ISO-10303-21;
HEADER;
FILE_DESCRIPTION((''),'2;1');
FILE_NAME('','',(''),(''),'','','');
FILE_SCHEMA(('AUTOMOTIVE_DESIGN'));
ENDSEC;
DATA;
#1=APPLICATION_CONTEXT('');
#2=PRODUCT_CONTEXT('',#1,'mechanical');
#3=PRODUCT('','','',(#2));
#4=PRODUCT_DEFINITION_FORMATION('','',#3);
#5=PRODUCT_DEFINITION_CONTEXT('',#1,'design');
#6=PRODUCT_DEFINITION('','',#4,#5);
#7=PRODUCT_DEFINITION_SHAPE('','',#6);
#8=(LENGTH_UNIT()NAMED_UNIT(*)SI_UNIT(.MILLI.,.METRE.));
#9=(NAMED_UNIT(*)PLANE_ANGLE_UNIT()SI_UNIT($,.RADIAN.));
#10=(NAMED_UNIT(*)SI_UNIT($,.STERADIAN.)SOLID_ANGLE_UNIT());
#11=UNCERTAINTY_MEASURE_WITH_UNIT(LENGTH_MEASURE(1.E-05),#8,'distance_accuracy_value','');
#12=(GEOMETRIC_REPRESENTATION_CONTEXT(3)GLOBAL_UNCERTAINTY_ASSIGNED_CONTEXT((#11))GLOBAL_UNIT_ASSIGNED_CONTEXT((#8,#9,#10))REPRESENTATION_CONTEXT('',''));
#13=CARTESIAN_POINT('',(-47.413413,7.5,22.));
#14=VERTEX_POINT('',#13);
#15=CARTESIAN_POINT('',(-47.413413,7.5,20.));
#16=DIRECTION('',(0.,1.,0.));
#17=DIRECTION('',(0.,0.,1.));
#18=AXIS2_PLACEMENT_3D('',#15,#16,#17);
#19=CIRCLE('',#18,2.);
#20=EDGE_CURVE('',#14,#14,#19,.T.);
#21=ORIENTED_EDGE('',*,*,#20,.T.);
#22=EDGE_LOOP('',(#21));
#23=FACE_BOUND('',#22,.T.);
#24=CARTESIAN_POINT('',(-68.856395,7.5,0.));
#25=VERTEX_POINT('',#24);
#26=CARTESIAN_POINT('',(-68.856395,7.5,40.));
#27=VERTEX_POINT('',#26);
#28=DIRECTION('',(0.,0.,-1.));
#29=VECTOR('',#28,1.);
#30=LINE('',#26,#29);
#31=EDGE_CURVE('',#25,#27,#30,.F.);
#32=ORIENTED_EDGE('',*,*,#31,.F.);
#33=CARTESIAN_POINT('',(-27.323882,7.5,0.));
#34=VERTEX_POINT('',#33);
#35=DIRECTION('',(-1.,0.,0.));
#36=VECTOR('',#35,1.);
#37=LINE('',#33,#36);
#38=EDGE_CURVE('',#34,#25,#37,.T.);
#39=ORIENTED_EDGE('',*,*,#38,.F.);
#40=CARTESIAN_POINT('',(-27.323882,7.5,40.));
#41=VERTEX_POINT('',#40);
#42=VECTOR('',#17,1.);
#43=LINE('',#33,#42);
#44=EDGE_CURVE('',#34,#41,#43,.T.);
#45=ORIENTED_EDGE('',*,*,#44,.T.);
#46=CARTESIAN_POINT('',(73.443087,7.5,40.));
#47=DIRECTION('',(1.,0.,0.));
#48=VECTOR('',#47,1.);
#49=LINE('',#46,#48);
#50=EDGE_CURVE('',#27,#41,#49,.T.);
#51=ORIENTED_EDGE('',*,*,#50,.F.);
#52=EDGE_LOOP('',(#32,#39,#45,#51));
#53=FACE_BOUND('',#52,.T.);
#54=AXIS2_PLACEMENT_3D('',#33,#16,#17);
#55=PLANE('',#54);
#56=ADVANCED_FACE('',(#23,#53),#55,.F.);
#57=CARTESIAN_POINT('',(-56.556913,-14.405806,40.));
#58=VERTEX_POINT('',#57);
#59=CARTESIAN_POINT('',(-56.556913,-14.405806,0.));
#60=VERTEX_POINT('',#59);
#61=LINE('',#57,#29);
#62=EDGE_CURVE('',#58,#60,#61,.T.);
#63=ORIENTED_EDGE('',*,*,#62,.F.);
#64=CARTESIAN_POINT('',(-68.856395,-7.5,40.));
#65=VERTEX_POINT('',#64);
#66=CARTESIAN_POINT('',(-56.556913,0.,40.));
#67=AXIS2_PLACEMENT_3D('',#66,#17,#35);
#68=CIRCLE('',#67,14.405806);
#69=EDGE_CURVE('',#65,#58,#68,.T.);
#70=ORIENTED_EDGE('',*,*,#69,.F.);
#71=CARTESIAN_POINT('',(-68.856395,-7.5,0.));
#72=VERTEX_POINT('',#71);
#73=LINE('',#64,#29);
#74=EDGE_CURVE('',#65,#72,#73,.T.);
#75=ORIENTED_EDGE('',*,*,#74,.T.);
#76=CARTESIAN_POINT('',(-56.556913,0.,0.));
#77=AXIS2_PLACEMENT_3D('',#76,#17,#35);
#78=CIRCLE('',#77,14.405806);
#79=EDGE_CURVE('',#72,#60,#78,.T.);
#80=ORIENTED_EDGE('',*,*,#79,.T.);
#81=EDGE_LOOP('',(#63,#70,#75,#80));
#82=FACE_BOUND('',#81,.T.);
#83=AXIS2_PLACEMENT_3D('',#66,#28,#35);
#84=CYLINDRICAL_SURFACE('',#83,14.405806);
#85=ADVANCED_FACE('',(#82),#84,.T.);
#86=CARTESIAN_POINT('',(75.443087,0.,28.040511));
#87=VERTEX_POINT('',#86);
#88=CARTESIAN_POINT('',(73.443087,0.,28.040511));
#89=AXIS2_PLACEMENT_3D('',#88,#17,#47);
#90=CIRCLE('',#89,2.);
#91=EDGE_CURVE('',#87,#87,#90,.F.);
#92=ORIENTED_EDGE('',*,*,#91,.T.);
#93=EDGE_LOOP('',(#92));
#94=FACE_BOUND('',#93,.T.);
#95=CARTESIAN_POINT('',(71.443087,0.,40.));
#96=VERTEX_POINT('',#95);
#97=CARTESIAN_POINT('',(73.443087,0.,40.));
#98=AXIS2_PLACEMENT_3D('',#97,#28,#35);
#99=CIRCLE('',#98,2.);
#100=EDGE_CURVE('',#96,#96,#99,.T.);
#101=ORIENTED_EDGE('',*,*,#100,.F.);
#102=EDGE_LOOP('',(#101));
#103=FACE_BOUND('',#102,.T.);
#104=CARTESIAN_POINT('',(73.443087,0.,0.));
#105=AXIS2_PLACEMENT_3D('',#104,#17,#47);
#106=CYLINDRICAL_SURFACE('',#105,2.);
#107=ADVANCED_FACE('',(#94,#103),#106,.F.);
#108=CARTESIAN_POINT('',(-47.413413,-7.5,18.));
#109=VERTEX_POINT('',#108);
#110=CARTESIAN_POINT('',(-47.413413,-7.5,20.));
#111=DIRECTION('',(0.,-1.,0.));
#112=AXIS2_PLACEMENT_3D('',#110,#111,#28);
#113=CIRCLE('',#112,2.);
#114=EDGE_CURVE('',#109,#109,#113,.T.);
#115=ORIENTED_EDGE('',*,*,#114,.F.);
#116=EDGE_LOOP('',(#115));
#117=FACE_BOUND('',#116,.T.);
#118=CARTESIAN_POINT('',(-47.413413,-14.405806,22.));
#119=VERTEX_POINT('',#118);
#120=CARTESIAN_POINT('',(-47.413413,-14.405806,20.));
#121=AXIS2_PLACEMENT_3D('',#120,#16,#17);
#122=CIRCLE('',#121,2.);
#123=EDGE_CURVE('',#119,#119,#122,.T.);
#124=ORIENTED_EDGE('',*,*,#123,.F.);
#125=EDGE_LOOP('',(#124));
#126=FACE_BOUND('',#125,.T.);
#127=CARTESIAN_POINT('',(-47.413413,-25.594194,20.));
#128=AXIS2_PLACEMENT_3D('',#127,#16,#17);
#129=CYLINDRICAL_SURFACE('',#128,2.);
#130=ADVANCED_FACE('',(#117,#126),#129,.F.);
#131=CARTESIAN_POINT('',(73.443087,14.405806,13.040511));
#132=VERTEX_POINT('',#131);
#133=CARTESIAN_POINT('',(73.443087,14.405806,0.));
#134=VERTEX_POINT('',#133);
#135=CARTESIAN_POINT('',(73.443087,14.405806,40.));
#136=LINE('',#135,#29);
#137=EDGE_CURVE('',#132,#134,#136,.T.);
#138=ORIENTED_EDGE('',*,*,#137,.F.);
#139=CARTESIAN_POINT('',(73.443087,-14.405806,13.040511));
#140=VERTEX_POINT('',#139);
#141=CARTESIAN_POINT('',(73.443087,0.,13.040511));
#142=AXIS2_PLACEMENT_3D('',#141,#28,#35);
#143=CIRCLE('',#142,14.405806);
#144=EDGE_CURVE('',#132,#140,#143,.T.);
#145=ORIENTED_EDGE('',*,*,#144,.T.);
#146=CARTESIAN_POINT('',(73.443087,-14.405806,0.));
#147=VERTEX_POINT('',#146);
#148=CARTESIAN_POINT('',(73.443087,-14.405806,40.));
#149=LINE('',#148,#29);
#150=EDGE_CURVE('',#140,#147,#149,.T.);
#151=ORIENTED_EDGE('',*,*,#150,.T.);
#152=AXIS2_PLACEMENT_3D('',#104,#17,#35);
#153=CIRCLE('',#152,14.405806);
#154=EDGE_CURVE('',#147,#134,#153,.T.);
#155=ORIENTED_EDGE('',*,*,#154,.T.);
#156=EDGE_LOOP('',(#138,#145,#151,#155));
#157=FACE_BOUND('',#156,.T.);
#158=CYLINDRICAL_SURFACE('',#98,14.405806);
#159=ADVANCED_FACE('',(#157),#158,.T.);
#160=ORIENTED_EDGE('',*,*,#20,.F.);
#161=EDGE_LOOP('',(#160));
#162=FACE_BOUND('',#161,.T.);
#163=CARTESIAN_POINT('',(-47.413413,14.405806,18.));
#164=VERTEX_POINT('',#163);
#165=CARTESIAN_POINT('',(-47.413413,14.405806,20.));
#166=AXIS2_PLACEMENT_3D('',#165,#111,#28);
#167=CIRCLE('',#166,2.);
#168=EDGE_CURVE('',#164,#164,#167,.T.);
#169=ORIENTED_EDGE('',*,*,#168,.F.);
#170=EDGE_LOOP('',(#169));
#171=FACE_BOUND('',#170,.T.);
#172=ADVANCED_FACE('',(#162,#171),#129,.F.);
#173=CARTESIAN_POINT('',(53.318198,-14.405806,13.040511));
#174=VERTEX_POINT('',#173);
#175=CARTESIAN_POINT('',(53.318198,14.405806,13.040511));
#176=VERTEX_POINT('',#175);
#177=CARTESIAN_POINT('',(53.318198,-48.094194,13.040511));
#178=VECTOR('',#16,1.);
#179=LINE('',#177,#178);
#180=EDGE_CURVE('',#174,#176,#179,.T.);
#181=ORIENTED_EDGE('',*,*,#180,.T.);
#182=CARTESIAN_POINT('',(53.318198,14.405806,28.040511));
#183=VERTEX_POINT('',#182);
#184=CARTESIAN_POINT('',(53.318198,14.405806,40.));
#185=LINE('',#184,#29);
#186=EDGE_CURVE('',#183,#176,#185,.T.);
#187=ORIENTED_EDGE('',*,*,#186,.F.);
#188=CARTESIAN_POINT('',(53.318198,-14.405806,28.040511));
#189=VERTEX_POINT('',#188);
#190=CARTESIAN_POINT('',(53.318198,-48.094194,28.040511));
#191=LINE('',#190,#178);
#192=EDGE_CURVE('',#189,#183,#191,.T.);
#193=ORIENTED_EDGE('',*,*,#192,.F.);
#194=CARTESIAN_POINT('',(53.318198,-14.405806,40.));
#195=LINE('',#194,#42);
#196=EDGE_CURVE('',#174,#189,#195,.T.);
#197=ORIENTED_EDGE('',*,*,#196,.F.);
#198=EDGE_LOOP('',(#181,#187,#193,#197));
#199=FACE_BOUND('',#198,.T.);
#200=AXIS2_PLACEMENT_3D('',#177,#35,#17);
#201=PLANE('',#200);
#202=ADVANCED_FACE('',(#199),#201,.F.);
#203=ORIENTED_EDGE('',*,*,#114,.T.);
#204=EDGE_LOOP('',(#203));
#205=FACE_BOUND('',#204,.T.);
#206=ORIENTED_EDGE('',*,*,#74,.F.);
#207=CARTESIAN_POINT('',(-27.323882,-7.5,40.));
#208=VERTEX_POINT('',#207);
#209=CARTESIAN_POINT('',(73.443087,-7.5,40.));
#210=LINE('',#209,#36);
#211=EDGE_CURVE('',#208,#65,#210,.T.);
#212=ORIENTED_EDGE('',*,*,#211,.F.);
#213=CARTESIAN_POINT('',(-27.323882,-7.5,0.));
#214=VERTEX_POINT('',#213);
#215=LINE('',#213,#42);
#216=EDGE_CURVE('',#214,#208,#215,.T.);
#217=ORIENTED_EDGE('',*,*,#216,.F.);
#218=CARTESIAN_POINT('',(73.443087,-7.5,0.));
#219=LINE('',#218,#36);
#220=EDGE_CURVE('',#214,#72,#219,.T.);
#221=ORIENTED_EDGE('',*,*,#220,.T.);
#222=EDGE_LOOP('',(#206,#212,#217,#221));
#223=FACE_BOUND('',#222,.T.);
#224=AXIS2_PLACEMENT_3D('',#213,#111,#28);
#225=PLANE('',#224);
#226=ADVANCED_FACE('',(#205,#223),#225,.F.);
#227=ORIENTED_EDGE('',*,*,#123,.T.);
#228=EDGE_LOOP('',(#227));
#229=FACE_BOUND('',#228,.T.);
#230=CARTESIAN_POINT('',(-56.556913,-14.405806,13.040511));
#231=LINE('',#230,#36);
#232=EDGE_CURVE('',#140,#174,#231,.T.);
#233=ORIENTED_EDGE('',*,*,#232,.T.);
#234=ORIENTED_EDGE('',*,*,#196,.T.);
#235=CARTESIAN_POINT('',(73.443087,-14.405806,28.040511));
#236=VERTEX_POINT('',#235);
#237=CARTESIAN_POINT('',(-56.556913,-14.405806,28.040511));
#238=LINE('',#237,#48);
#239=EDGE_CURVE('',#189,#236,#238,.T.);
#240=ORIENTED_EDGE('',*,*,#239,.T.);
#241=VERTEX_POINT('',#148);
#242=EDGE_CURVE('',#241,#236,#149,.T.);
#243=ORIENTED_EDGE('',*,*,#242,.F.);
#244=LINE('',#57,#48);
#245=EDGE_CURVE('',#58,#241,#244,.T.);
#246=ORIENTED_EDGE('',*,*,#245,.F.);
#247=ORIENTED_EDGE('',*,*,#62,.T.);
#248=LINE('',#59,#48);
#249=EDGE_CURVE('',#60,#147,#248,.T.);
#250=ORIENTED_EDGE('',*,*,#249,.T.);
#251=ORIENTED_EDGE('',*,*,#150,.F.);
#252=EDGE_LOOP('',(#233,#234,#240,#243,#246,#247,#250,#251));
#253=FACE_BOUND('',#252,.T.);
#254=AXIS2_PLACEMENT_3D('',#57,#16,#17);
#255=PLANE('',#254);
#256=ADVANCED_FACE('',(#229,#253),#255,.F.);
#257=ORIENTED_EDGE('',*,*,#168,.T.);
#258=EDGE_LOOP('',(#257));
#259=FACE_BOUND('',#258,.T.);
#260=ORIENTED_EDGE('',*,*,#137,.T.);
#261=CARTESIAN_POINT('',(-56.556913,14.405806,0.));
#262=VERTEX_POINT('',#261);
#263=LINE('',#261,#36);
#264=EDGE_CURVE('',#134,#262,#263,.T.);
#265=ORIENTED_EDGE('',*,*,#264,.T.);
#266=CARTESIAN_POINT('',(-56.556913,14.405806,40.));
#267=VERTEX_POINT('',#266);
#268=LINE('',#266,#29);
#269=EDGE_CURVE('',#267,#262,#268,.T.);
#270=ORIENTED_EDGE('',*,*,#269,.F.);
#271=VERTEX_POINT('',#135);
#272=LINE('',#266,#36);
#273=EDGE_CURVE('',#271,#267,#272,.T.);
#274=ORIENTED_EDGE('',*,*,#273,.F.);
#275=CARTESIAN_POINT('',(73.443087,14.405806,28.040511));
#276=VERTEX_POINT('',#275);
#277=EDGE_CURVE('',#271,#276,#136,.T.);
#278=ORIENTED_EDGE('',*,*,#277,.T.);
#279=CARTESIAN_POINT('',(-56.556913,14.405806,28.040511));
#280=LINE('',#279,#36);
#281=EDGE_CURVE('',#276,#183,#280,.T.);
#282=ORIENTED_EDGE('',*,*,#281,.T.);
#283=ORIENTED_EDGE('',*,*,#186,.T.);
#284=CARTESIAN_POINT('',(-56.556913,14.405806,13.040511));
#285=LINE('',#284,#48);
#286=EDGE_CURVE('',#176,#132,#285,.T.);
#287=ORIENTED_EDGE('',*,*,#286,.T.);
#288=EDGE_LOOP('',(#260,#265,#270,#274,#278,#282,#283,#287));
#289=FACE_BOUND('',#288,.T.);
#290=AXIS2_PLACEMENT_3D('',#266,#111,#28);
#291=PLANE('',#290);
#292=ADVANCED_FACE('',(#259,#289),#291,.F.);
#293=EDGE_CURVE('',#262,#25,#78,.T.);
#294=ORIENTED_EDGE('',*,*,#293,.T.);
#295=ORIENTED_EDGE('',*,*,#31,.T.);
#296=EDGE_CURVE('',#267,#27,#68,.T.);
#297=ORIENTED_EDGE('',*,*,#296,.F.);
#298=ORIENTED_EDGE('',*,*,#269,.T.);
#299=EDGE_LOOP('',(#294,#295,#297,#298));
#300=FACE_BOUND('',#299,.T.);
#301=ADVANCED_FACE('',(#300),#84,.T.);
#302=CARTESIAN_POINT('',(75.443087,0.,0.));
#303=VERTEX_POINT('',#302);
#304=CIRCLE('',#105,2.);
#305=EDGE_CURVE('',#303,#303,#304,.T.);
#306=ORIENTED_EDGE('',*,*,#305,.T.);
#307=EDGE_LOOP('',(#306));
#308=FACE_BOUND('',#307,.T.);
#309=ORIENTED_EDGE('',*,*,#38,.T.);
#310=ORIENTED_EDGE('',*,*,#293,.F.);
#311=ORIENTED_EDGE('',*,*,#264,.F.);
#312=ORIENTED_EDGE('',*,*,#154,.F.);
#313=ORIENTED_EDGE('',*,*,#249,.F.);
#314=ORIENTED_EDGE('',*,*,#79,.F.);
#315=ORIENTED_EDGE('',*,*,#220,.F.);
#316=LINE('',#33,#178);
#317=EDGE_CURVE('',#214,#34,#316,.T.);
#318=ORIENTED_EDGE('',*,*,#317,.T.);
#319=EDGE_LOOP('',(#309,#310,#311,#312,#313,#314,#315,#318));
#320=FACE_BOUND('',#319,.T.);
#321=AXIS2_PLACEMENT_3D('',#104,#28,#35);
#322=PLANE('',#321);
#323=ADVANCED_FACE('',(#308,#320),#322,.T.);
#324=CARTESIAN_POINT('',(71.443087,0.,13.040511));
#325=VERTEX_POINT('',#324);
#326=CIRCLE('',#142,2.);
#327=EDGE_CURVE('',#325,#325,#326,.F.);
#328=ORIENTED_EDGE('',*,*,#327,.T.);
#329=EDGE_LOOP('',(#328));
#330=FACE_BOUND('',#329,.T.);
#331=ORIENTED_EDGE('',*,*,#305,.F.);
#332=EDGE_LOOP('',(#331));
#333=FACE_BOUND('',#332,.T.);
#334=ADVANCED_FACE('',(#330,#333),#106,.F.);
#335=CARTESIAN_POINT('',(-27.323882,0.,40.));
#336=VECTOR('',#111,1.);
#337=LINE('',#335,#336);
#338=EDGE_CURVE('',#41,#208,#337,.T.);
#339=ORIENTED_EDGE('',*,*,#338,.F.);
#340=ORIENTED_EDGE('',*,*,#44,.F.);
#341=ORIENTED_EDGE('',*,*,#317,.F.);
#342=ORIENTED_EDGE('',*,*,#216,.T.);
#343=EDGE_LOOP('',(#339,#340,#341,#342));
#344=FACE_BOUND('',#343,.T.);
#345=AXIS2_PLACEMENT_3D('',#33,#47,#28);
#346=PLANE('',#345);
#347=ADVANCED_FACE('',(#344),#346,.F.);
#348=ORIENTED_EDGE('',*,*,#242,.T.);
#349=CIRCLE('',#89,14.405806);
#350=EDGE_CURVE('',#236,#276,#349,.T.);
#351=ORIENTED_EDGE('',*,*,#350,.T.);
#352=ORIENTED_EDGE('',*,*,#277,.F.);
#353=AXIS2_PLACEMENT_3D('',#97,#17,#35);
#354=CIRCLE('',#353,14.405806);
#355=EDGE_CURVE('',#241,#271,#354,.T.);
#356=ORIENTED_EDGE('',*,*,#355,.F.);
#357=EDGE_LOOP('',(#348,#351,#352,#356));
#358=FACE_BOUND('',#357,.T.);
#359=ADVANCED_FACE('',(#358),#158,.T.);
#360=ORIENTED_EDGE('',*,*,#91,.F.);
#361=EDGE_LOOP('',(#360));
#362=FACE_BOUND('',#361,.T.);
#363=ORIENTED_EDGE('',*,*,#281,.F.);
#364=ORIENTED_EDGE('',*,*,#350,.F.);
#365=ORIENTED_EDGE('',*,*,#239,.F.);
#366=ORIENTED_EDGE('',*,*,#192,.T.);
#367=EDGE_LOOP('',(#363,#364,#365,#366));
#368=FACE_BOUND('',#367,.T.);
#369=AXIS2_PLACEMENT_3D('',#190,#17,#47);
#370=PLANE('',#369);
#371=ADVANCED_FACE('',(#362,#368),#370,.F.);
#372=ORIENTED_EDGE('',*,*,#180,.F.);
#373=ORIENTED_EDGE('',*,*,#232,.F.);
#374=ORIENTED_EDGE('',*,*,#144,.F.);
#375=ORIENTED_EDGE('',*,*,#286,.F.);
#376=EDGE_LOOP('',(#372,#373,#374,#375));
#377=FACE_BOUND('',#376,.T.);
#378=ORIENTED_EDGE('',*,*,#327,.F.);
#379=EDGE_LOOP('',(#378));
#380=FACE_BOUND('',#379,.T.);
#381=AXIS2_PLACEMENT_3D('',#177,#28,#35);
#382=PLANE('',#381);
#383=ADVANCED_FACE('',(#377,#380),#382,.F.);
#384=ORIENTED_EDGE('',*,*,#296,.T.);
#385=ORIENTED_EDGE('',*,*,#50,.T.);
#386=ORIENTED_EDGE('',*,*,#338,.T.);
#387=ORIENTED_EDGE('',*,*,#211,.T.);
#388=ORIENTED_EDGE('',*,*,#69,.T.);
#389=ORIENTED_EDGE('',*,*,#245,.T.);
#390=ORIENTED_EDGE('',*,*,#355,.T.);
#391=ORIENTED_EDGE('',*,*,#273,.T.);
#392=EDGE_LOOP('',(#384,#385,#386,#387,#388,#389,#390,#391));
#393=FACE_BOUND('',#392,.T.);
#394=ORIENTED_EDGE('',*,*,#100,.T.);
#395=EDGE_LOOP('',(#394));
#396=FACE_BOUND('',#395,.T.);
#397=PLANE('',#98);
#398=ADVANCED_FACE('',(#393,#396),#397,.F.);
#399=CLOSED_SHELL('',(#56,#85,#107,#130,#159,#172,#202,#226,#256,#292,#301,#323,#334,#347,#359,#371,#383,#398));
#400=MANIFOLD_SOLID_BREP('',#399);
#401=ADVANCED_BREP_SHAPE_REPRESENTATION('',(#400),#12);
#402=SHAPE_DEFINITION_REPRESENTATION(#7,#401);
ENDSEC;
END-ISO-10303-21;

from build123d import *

# Parameters (mm, degrees)
RESSALTO_EXTRUS_O1_DEPTH = 40
ESBO_O2_R                = 2
CORTE_EXTRUS_O1_DEPTH    = 40
ESBO_O3_W                = 45.5934118
ESBO_O3_H                = 15
CORTE_EXTRUS_O2_DEPTH    = 40
ESBO_O4_R                = 2
CORTE_EXTRUS_O3_DEPTH    = 40
ESBO_O6_W                = 60.91322231
ESBO_O6_H                = 15
CORTE_EXTRUS_O5_DEPTH    = 62.5


with BuildPart() as part:
    # Esboço1 → Ressalto-extrusão1 (new body)
    with BuildSketch(Plane.XY):
        with BuildLine():
            Line((-56.556913458, 14.405805893), (73.443086542, 14.405805893))
            ThreePointArc((73.443086542, 14.405805893), (87.848892435, 0), (73.443086542, -14.405805893))
            Line((73.443086542, -14.405805893), (-56.556913458, -14.405805893))
            ThreePointArc((-56.556913458, -14.405805893), (-70.96271935, 0), (-56.556913458, 14.405805893))
        make_face()
    extrude(amount=RESSALTO_EXTRUS_O1_DEPTH)

    # Esboço2 → Corte-extrusão1 (cut, symmetric)
    with BuildSketch(Plane.XY.offset(40)):
        with Locations((73.443086542, 0)):
            Circle(ESBO_O2_R)
    extrude(amount=CORTE_EXTRUS_O1_DEPTH, both=True, mode=Mode.SUBTRACT)

    # Esboço3 → Corte-extrusão2 (cut, symmetric)
    with BuildSketch(Plane.XY.offset(40)):
        with Locations((-50.120588086, 0)):
            Rectangle(ESBO_O3_W, ESBO_O3_H)
    extrude(amount=CORTE_EXTRUS_O2_DEPTH, both=True, mode=Mode.SUBTRACT)

    # Esboço4 → Corte-extrusão3 (cut, symmetric)
    with BuildSketch(Plane(origin=(0, 14.405805893, 0), x_dir=(1, 0, 0), z_dir=(0, 1, 0))):
        with Locations(Location((-47.413412599, -20, 0), (0, 0, 270))):
            Circle(ESBO_O4_R)
    extrude(amount=CORTE_EXTRUS_O3_DEPTH, both=True, mode=Mode.SUBTRACT)

    # Esboço6 → Corte-extrusão5 (cut, symmetric)
    with BuildSketch(Plane(origin=(0, 14.405805893, 0), x_dir=(1, 0, 0), z_dir=(0, 1, 0))):
        with Locations((83.774809185, -20.540511229)):
            Rectangle(ESBO_O6_W, ESBO_O6_H)
    extrude(amount=CORTE_EXTRUS_O5_DEPTH, both=True, mode=Mode.SUBTRACT)


solid = part.part
